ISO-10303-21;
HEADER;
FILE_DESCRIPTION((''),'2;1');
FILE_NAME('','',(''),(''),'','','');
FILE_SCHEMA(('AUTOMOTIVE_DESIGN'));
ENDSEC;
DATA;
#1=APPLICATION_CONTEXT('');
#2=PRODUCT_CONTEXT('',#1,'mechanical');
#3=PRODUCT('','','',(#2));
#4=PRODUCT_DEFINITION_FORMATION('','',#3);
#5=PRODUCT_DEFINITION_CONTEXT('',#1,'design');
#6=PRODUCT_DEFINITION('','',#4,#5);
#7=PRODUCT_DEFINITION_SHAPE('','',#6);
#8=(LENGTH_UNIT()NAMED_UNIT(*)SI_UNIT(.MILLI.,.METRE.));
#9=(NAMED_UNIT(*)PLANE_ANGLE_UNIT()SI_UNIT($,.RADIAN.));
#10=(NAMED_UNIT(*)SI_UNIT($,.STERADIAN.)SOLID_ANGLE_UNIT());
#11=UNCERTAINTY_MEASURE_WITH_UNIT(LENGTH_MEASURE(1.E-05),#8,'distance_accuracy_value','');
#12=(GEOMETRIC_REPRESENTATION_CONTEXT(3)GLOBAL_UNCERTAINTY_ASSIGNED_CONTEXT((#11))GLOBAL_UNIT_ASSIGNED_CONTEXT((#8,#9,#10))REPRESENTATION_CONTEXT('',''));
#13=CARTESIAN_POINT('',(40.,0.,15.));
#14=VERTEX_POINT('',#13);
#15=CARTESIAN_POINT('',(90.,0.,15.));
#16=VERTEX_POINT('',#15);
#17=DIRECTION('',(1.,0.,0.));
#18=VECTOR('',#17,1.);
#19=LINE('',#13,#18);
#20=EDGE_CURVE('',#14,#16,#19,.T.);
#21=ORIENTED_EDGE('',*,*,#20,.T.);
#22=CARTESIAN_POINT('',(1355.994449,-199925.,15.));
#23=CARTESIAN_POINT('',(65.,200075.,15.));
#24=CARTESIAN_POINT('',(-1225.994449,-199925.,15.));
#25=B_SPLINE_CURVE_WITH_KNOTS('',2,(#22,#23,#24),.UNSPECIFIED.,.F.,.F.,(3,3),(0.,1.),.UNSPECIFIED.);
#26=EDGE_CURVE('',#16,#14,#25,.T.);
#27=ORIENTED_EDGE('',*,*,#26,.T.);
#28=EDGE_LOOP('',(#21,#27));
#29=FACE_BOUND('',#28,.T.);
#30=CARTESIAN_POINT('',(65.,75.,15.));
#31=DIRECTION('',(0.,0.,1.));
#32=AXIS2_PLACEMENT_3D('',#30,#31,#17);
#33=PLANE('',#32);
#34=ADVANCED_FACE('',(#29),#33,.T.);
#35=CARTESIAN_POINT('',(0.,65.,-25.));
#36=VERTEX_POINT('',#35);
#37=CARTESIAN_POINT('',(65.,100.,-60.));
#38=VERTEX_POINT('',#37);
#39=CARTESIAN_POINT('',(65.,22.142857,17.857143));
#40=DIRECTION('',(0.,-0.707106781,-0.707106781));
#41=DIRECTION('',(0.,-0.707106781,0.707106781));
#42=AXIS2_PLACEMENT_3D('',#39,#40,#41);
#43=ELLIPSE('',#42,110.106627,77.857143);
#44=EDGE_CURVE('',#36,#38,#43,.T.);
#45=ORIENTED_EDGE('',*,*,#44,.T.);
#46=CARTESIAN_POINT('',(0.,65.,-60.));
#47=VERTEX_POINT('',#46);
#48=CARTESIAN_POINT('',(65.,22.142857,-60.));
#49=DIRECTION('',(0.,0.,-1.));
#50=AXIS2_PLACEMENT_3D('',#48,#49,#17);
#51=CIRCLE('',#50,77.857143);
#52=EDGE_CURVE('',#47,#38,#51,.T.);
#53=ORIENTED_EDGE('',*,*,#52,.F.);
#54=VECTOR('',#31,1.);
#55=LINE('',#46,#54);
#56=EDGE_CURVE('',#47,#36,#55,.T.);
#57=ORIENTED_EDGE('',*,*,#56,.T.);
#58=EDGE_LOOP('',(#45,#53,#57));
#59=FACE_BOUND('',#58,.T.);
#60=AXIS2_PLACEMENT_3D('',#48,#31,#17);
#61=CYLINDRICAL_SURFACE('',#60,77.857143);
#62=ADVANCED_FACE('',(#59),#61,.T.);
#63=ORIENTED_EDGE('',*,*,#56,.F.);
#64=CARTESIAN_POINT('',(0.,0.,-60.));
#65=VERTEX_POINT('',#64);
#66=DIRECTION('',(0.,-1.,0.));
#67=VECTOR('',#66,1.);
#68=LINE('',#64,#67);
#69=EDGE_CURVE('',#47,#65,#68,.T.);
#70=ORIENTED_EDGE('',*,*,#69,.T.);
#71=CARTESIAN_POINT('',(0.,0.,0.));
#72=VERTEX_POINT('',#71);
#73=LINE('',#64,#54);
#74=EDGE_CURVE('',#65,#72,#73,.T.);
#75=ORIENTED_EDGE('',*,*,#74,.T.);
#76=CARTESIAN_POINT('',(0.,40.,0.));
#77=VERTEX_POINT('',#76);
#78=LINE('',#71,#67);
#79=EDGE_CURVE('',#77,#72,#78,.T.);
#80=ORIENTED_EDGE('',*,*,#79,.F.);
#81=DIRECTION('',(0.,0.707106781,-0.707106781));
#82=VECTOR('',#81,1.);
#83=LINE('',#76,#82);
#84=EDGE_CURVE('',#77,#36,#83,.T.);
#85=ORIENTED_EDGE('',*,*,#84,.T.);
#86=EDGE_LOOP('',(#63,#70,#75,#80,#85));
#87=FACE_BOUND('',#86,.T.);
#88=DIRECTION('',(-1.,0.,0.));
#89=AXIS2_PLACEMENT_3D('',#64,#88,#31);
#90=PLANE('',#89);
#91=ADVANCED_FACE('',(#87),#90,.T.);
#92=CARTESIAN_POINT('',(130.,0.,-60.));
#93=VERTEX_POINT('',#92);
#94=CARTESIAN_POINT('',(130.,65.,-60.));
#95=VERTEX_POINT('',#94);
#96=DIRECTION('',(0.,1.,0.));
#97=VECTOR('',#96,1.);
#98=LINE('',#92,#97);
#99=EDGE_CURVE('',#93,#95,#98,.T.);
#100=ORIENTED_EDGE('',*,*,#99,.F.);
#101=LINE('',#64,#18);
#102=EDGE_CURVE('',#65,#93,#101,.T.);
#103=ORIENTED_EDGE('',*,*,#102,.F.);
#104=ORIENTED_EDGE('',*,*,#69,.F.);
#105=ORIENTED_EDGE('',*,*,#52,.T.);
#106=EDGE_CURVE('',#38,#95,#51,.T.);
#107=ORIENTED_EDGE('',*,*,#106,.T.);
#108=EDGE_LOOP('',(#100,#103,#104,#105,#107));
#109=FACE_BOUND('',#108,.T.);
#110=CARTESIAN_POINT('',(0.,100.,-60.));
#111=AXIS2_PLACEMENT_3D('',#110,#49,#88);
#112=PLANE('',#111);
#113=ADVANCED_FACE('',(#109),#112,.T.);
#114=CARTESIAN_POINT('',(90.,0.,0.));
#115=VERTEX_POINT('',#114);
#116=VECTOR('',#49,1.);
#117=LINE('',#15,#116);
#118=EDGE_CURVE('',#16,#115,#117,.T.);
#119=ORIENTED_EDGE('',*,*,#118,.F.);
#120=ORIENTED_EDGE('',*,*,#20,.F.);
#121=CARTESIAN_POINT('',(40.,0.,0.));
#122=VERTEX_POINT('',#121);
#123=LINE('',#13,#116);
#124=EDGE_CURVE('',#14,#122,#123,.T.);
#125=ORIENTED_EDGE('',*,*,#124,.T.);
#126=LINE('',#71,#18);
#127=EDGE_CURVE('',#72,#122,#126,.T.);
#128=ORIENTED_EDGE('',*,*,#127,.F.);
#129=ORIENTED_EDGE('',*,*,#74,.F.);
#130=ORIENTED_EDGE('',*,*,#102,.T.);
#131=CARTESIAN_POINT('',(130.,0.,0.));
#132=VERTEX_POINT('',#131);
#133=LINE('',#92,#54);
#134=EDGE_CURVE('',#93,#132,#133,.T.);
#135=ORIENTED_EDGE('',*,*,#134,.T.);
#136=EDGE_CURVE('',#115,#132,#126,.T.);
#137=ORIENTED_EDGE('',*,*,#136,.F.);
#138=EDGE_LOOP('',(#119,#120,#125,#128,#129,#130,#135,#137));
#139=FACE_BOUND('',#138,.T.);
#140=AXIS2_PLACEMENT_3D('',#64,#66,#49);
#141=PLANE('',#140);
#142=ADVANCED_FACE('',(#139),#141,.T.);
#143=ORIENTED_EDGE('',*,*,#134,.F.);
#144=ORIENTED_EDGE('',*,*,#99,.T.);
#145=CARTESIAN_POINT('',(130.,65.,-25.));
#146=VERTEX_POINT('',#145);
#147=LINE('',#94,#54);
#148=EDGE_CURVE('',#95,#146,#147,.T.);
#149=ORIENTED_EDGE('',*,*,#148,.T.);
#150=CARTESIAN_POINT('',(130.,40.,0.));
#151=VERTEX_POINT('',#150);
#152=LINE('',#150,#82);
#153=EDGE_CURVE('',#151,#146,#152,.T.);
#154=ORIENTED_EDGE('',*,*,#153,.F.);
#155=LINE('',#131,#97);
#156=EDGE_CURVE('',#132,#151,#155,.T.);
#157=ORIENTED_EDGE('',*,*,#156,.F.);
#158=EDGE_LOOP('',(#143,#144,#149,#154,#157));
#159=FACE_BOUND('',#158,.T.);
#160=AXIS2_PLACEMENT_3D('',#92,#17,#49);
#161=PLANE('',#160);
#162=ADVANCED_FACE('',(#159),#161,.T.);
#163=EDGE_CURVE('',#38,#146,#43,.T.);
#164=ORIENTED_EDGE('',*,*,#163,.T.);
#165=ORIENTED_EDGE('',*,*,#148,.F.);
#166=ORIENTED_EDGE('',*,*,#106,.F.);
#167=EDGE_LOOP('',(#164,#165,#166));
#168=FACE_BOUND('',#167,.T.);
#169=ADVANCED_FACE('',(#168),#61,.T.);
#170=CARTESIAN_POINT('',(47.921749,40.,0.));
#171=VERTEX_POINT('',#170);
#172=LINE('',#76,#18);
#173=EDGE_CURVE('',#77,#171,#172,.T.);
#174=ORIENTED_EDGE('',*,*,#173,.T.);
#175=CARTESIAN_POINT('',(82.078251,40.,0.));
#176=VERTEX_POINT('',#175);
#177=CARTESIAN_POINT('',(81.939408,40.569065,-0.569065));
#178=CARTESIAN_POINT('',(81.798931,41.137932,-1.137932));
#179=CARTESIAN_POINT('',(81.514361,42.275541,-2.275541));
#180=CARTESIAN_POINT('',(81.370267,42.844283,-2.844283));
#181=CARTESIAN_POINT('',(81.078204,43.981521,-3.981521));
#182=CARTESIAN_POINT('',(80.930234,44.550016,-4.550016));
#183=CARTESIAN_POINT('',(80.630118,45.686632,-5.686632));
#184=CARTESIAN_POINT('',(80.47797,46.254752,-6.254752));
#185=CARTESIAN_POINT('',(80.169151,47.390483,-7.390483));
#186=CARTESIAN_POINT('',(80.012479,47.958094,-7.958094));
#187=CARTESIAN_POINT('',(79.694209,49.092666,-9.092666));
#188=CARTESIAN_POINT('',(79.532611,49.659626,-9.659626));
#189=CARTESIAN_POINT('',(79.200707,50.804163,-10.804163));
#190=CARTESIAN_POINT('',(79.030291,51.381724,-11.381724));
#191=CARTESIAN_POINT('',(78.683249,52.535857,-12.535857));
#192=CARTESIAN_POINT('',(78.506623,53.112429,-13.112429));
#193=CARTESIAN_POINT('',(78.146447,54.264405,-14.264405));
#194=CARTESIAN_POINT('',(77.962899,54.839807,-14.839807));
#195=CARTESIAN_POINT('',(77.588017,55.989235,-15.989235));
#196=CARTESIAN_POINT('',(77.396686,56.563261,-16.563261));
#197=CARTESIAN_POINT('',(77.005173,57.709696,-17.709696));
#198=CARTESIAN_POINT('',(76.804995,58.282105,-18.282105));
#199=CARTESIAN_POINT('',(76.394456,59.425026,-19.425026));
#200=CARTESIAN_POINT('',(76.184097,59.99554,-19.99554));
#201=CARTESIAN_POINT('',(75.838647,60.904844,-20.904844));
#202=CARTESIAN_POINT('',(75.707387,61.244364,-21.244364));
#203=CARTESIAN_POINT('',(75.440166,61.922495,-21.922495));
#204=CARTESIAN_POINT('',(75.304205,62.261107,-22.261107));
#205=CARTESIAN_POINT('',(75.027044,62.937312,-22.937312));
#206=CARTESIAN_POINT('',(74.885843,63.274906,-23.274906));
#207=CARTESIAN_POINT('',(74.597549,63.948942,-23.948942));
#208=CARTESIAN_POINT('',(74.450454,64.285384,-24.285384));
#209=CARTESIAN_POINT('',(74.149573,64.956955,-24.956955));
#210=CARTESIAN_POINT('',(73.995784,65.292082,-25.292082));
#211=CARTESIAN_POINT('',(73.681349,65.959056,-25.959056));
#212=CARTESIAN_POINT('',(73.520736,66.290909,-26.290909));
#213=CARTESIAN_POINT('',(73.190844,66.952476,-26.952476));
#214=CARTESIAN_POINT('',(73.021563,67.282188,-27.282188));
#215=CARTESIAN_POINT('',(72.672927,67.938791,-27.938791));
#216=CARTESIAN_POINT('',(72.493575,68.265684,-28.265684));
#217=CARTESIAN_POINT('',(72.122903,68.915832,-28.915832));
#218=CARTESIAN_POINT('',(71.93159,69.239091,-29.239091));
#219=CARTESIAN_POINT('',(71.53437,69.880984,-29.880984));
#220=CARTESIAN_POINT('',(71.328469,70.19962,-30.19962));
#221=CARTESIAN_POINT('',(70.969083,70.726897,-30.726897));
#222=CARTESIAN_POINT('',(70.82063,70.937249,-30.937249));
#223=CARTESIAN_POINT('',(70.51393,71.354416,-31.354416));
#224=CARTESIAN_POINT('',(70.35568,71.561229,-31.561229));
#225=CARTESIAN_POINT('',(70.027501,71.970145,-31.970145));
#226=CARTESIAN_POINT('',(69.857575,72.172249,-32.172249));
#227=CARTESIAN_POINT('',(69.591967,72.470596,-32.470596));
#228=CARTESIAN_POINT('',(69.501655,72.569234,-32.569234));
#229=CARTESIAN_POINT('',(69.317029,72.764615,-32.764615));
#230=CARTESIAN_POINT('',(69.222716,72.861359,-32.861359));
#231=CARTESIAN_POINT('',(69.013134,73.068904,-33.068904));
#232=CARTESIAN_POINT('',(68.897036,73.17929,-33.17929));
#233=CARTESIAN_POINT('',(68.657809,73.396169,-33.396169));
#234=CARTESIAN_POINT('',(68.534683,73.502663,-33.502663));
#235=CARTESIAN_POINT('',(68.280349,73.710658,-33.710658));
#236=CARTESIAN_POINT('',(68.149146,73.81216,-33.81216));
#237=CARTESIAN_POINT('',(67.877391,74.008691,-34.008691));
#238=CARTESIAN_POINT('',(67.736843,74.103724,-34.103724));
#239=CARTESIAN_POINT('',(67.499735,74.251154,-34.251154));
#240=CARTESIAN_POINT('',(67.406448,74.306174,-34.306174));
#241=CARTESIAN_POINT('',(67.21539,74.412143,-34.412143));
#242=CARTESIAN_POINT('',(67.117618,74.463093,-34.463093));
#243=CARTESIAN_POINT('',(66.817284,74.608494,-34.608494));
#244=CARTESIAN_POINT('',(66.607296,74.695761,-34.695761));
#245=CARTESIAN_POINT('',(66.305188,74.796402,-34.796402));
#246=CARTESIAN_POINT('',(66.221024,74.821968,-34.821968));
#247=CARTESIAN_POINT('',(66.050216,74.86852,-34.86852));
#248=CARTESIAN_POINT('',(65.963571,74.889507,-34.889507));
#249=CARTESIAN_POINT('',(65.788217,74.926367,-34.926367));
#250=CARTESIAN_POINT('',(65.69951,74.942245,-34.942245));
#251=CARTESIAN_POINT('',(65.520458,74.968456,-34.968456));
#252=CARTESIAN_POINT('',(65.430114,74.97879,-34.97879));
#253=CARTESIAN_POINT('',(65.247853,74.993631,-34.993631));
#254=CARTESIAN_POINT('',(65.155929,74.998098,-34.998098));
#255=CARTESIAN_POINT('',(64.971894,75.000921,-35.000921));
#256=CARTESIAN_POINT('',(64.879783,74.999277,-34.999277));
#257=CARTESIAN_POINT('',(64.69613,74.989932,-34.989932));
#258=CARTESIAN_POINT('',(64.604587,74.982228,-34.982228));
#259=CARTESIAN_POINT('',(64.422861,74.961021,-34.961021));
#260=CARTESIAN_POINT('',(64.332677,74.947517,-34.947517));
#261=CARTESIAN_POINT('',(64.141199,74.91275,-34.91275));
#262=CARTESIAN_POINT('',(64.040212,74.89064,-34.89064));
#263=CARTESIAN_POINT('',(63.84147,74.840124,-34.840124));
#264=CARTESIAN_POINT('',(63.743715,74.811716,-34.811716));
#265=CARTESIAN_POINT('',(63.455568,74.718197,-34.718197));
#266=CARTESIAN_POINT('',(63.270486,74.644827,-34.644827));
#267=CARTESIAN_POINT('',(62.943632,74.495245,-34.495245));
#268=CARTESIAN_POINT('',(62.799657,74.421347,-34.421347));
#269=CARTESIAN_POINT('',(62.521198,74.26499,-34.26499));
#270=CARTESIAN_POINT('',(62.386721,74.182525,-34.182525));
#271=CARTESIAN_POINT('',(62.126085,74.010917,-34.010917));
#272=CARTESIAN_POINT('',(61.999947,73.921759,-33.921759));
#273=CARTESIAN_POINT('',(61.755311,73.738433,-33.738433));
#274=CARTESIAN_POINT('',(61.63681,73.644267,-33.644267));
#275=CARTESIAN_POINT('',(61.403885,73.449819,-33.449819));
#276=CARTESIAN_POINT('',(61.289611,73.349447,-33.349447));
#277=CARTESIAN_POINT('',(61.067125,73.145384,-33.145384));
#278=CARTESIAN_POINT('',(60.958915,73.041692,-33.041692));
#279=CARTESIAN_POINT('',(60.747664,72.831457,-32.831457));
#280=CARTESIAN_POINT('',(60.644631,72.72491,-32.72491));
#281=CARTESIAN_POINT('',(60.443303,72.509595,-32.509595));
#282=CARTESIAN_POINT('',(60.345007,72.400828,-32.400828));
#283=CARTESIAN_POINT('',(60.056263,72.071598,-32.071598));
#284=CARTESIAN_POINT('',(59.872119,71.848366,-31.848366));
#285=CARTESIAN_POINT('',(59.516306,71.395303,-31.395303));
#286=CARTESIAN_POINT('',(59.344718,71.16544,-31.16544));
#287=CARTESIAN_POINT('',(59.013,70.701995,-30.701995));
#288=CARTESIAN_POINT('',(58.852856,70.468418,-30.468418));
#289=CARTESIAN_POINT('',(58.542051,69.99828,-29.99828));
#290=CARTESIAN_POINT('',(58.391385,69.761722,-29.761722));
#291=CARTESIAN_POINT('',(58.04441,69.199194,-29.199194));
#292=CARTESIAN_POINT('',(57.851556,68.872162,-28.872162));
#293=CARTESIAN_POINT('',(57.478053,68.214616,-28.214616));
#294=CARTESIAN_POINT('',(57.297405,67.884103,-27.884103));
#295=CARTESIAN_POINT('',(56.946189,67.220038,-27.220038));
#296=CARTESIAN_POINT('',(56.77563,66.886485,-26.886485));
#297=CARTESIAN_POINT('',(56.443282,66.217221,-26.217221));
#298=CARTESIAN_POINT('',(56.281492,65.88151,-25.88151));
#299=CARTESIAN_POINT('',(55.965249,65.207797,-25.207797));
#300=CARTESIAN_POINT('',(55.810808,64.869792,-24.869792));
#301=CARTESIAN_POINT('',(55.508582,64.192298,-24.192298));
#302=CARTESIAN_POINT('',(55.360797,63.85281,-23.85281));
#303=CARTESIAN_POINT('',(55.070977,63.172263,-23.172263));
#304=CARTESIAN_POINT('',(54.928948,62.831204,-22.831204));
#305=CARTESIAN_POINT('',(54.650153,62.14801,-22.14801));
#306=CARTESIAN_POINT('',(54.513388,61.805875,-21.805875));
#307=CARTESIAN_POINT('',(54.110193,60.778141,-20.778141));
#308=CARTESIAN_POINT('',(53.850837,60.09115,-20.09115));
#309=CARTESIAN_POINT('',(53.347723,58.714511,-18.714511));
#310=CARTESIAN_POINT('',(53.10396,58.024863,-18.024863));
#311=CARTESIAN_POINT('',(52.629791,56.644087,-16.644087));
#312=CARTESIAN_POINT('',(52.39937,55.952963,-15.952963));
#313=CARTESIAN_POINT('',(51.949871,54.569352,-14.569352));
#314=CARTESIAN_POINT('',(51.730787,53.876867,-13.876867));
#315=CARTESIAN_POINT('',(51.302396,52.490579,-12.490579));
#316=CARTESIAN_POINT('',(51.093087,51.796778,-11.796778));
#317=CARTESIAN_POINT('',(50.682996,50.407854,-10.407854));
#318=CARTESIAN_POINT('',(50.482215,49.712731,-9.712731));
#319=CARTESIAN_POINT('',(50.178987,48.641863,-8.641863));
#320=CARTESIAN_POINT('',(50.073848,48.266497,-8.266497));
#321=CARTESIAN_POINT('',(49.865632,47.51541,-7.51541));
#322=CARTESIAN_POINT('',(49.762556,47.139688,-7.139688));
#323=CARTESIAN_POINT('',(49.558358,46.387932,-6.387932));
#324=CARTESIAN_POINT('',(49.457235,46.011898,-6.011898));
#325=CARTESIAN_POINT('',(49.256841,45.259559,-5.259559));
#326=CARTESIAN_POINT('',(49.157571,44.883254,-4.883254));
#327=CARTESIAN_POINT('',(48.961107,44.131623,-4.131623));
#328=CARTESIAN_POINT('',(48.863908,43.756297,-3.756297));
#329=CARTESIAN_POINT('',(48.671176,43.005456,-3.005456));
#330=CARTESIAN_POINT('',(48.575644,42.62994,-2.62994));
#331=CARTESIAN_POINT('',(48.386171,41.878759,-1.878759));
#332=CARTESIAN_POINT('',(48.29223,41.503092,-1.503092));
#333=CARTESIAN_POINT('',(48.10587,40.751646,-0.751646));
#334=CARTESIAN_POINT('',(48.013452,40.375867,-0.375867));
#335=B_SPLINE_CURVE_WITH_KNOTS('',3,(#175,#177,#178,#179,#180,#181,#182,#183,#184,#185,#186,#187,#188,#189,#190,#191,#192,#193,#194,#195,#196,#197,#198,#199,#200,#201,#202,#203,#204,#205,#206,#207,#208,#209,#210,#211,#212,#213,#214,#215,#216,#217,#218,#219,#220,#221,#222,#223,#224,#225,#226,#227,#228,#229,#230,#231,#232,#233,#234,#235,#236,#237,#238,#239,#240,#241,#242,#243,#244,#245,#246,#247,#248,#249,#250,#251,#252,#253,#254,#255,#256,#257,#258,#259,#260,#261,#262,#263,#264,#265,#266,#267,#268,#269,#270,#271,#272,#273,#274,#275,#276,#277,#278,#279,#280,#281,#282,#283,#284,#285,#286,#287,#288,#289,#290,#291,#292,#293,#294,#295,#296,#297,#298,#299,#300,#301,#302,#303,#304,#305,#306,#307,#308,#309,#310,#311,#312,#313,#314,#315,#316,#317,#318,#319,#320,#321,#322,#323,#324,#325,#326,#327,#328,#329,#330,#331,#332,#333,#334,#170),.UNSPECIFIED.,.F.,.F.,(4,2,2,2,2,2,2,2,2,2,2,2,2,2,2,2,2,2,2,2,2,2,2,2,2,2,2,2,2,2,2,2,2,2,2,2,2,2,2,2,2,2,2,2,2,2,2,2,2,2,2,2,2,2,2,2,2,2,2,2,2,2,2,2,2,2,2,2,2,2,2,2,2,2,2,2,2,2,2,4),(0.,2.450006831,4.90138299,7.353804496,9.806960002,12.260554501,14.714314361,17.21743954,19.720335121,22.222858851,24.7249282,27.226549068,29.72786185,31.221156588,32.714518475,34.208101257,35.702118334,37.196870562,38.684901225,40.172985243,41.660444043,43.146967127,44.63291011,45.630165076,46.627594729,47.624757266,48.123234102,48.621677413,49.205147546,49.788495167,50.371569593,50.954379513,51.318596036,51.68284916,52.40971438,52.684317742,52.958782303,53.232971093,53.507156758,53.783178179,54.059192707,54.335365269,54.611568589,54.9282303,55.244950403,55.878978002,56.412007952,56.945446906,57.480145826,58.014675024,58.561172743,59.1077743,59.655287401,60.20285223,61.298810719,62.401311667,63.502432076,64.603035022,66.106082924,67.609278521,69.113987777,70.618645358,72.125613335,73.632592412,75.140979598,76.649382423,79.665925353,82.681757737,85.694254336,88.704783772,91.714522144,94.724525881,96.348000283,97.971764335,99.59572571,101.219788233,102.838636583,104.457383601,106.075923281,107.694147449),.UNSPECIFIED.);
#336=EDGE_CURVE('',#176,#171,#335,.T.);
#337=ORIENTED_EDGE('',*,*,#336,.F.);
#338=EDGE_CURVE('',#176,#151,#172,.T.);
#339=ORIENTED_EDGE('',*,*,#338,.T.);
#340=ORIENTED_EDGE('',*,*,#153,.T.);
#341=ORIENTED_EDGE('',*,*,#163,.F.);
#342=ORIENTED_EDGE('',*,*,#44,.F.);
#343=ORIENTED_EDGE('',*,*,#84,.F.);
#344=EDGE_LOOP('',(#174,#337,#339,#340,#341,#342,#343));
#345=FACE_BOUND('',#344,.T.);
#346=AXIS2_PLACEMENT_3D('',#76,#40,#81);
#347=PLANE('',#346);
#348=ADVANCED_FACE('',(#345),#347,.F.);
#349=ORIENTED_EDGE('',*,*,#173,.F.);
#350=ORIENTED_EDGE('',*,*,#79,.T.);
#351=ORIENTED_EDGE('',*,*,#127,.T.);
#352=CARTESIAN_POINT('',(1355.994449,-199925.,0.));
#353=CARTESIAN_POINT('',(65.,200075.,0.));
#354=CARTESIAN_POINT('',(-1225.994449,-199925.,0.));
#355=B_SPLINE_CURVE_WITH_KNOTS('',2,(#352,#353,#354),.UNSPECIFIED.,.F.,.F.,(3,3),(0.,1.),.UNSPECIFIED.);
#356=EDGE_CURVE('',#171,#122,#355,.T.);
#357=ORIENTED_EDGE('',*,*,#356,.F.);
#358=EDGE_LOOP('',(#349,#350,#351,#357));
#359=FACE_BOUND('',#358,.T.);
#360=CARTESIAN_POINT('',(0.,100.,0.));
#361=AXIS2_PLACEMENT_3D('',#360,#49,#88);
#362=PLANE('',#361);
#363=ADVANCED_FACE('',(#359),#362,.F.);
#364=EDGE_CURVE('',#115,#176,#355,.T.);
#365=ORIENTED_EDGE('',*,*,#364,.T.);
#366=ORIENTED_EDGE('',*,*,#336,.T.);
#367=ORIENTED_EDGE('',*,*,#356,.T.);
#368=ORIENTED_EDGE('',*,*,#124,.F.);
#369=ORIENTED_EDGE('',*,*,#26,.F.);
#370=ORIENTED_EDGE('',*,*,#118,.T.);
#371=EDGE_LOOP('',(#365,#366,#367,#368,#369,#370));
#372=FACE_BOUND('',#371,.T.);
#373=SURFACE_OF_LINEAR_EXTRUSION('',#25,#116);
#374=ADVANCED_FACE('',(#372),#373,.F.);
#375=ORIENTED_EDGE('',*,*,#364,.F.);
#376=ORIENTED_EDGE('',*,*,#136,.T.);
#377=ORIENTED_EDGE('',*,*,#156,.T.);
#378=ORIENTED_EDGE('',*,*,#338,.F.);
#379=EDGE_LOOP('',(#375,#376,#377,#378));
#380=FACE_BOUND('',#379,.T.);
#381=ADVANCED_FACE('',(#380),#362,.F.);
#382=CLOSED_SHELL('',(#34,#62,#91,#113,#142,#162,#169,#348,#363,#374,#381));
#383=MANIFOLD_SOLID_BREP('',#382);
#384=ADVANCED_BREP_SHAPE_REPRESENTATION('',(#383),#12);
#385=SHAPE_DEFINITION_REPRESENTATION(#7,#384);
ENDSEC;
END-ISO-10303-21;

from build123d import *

# Parameters (mm, degrees)
SKETCH1_W           = 130
SKETCH1_H           = 100
EXTRUDE1_DEPTH      = 60
CUT_EXTRUDE1_DEPTH  = 61
CUT_EXTRUDE2_DEPTH  = 131
EXTRUDE2_DEPTH      = 15
EXTRUDE2_DEPTH_BACK = 55


with BuildPart() as part:
    # Sketch1 → Extrude1 (new body)
    with BuildSketch(Plane.XY):
        with Locations((65, 50)):
            Rectangle(SKETCH1_W, SKETCH1_H)
    extrude(amount=-EXTRUDE1_DEPTH)

    # Sketch2 → Cut-Extrude1 (cut, through all)
    with BuildSketch(Plane.XY):
        with BuildLine():
            Line((0, 65), (0, 111.499593367))
            Line((0, 111.499593367), (130, 111.499593367))
            Line((130, 111.499593367), (130, 65))
            ThreePointArc((130, 65), (65, 100), (0, 65))
        make_face()
    extrude(amount=-CUT_EXTRUDE1_DEPTH, mode=Mode.SUBTRACT)

    # Sketch3 → Cut-Extrude2 (cut, through all)
    with BuildSketch(Plane(origin=(130, 0, 0), x_dir=(0, 0, -1), z_dir=(1, 0, 0))):
        Polygon((0, 40), (60, 100), (0, 100), align=None)
    extrude(amount=-CUT_EXTRUDE2_DEPTH, mode=Mode.SUBTRACT)

    # Sketch4 → Extrude2 (add, two sides)
    with BuildSketch(Plane.XY) as extrude2_sk:
        with BuildLine():
            Line((40, 0), (90, 0))
            add(Edge.make_bspline(
                [(40, 0), (65, 150), (90, 0)],
                knots=[0, 0, 0, 1, 1, 1], degree=2))
        make_face()
    extrude(amount=EXTRUDE2_DEPTH)
    extrude(extrude2_sk.sketch, amount=-EXTRUDE2_DEPTH_BACK)


solid = part.part
